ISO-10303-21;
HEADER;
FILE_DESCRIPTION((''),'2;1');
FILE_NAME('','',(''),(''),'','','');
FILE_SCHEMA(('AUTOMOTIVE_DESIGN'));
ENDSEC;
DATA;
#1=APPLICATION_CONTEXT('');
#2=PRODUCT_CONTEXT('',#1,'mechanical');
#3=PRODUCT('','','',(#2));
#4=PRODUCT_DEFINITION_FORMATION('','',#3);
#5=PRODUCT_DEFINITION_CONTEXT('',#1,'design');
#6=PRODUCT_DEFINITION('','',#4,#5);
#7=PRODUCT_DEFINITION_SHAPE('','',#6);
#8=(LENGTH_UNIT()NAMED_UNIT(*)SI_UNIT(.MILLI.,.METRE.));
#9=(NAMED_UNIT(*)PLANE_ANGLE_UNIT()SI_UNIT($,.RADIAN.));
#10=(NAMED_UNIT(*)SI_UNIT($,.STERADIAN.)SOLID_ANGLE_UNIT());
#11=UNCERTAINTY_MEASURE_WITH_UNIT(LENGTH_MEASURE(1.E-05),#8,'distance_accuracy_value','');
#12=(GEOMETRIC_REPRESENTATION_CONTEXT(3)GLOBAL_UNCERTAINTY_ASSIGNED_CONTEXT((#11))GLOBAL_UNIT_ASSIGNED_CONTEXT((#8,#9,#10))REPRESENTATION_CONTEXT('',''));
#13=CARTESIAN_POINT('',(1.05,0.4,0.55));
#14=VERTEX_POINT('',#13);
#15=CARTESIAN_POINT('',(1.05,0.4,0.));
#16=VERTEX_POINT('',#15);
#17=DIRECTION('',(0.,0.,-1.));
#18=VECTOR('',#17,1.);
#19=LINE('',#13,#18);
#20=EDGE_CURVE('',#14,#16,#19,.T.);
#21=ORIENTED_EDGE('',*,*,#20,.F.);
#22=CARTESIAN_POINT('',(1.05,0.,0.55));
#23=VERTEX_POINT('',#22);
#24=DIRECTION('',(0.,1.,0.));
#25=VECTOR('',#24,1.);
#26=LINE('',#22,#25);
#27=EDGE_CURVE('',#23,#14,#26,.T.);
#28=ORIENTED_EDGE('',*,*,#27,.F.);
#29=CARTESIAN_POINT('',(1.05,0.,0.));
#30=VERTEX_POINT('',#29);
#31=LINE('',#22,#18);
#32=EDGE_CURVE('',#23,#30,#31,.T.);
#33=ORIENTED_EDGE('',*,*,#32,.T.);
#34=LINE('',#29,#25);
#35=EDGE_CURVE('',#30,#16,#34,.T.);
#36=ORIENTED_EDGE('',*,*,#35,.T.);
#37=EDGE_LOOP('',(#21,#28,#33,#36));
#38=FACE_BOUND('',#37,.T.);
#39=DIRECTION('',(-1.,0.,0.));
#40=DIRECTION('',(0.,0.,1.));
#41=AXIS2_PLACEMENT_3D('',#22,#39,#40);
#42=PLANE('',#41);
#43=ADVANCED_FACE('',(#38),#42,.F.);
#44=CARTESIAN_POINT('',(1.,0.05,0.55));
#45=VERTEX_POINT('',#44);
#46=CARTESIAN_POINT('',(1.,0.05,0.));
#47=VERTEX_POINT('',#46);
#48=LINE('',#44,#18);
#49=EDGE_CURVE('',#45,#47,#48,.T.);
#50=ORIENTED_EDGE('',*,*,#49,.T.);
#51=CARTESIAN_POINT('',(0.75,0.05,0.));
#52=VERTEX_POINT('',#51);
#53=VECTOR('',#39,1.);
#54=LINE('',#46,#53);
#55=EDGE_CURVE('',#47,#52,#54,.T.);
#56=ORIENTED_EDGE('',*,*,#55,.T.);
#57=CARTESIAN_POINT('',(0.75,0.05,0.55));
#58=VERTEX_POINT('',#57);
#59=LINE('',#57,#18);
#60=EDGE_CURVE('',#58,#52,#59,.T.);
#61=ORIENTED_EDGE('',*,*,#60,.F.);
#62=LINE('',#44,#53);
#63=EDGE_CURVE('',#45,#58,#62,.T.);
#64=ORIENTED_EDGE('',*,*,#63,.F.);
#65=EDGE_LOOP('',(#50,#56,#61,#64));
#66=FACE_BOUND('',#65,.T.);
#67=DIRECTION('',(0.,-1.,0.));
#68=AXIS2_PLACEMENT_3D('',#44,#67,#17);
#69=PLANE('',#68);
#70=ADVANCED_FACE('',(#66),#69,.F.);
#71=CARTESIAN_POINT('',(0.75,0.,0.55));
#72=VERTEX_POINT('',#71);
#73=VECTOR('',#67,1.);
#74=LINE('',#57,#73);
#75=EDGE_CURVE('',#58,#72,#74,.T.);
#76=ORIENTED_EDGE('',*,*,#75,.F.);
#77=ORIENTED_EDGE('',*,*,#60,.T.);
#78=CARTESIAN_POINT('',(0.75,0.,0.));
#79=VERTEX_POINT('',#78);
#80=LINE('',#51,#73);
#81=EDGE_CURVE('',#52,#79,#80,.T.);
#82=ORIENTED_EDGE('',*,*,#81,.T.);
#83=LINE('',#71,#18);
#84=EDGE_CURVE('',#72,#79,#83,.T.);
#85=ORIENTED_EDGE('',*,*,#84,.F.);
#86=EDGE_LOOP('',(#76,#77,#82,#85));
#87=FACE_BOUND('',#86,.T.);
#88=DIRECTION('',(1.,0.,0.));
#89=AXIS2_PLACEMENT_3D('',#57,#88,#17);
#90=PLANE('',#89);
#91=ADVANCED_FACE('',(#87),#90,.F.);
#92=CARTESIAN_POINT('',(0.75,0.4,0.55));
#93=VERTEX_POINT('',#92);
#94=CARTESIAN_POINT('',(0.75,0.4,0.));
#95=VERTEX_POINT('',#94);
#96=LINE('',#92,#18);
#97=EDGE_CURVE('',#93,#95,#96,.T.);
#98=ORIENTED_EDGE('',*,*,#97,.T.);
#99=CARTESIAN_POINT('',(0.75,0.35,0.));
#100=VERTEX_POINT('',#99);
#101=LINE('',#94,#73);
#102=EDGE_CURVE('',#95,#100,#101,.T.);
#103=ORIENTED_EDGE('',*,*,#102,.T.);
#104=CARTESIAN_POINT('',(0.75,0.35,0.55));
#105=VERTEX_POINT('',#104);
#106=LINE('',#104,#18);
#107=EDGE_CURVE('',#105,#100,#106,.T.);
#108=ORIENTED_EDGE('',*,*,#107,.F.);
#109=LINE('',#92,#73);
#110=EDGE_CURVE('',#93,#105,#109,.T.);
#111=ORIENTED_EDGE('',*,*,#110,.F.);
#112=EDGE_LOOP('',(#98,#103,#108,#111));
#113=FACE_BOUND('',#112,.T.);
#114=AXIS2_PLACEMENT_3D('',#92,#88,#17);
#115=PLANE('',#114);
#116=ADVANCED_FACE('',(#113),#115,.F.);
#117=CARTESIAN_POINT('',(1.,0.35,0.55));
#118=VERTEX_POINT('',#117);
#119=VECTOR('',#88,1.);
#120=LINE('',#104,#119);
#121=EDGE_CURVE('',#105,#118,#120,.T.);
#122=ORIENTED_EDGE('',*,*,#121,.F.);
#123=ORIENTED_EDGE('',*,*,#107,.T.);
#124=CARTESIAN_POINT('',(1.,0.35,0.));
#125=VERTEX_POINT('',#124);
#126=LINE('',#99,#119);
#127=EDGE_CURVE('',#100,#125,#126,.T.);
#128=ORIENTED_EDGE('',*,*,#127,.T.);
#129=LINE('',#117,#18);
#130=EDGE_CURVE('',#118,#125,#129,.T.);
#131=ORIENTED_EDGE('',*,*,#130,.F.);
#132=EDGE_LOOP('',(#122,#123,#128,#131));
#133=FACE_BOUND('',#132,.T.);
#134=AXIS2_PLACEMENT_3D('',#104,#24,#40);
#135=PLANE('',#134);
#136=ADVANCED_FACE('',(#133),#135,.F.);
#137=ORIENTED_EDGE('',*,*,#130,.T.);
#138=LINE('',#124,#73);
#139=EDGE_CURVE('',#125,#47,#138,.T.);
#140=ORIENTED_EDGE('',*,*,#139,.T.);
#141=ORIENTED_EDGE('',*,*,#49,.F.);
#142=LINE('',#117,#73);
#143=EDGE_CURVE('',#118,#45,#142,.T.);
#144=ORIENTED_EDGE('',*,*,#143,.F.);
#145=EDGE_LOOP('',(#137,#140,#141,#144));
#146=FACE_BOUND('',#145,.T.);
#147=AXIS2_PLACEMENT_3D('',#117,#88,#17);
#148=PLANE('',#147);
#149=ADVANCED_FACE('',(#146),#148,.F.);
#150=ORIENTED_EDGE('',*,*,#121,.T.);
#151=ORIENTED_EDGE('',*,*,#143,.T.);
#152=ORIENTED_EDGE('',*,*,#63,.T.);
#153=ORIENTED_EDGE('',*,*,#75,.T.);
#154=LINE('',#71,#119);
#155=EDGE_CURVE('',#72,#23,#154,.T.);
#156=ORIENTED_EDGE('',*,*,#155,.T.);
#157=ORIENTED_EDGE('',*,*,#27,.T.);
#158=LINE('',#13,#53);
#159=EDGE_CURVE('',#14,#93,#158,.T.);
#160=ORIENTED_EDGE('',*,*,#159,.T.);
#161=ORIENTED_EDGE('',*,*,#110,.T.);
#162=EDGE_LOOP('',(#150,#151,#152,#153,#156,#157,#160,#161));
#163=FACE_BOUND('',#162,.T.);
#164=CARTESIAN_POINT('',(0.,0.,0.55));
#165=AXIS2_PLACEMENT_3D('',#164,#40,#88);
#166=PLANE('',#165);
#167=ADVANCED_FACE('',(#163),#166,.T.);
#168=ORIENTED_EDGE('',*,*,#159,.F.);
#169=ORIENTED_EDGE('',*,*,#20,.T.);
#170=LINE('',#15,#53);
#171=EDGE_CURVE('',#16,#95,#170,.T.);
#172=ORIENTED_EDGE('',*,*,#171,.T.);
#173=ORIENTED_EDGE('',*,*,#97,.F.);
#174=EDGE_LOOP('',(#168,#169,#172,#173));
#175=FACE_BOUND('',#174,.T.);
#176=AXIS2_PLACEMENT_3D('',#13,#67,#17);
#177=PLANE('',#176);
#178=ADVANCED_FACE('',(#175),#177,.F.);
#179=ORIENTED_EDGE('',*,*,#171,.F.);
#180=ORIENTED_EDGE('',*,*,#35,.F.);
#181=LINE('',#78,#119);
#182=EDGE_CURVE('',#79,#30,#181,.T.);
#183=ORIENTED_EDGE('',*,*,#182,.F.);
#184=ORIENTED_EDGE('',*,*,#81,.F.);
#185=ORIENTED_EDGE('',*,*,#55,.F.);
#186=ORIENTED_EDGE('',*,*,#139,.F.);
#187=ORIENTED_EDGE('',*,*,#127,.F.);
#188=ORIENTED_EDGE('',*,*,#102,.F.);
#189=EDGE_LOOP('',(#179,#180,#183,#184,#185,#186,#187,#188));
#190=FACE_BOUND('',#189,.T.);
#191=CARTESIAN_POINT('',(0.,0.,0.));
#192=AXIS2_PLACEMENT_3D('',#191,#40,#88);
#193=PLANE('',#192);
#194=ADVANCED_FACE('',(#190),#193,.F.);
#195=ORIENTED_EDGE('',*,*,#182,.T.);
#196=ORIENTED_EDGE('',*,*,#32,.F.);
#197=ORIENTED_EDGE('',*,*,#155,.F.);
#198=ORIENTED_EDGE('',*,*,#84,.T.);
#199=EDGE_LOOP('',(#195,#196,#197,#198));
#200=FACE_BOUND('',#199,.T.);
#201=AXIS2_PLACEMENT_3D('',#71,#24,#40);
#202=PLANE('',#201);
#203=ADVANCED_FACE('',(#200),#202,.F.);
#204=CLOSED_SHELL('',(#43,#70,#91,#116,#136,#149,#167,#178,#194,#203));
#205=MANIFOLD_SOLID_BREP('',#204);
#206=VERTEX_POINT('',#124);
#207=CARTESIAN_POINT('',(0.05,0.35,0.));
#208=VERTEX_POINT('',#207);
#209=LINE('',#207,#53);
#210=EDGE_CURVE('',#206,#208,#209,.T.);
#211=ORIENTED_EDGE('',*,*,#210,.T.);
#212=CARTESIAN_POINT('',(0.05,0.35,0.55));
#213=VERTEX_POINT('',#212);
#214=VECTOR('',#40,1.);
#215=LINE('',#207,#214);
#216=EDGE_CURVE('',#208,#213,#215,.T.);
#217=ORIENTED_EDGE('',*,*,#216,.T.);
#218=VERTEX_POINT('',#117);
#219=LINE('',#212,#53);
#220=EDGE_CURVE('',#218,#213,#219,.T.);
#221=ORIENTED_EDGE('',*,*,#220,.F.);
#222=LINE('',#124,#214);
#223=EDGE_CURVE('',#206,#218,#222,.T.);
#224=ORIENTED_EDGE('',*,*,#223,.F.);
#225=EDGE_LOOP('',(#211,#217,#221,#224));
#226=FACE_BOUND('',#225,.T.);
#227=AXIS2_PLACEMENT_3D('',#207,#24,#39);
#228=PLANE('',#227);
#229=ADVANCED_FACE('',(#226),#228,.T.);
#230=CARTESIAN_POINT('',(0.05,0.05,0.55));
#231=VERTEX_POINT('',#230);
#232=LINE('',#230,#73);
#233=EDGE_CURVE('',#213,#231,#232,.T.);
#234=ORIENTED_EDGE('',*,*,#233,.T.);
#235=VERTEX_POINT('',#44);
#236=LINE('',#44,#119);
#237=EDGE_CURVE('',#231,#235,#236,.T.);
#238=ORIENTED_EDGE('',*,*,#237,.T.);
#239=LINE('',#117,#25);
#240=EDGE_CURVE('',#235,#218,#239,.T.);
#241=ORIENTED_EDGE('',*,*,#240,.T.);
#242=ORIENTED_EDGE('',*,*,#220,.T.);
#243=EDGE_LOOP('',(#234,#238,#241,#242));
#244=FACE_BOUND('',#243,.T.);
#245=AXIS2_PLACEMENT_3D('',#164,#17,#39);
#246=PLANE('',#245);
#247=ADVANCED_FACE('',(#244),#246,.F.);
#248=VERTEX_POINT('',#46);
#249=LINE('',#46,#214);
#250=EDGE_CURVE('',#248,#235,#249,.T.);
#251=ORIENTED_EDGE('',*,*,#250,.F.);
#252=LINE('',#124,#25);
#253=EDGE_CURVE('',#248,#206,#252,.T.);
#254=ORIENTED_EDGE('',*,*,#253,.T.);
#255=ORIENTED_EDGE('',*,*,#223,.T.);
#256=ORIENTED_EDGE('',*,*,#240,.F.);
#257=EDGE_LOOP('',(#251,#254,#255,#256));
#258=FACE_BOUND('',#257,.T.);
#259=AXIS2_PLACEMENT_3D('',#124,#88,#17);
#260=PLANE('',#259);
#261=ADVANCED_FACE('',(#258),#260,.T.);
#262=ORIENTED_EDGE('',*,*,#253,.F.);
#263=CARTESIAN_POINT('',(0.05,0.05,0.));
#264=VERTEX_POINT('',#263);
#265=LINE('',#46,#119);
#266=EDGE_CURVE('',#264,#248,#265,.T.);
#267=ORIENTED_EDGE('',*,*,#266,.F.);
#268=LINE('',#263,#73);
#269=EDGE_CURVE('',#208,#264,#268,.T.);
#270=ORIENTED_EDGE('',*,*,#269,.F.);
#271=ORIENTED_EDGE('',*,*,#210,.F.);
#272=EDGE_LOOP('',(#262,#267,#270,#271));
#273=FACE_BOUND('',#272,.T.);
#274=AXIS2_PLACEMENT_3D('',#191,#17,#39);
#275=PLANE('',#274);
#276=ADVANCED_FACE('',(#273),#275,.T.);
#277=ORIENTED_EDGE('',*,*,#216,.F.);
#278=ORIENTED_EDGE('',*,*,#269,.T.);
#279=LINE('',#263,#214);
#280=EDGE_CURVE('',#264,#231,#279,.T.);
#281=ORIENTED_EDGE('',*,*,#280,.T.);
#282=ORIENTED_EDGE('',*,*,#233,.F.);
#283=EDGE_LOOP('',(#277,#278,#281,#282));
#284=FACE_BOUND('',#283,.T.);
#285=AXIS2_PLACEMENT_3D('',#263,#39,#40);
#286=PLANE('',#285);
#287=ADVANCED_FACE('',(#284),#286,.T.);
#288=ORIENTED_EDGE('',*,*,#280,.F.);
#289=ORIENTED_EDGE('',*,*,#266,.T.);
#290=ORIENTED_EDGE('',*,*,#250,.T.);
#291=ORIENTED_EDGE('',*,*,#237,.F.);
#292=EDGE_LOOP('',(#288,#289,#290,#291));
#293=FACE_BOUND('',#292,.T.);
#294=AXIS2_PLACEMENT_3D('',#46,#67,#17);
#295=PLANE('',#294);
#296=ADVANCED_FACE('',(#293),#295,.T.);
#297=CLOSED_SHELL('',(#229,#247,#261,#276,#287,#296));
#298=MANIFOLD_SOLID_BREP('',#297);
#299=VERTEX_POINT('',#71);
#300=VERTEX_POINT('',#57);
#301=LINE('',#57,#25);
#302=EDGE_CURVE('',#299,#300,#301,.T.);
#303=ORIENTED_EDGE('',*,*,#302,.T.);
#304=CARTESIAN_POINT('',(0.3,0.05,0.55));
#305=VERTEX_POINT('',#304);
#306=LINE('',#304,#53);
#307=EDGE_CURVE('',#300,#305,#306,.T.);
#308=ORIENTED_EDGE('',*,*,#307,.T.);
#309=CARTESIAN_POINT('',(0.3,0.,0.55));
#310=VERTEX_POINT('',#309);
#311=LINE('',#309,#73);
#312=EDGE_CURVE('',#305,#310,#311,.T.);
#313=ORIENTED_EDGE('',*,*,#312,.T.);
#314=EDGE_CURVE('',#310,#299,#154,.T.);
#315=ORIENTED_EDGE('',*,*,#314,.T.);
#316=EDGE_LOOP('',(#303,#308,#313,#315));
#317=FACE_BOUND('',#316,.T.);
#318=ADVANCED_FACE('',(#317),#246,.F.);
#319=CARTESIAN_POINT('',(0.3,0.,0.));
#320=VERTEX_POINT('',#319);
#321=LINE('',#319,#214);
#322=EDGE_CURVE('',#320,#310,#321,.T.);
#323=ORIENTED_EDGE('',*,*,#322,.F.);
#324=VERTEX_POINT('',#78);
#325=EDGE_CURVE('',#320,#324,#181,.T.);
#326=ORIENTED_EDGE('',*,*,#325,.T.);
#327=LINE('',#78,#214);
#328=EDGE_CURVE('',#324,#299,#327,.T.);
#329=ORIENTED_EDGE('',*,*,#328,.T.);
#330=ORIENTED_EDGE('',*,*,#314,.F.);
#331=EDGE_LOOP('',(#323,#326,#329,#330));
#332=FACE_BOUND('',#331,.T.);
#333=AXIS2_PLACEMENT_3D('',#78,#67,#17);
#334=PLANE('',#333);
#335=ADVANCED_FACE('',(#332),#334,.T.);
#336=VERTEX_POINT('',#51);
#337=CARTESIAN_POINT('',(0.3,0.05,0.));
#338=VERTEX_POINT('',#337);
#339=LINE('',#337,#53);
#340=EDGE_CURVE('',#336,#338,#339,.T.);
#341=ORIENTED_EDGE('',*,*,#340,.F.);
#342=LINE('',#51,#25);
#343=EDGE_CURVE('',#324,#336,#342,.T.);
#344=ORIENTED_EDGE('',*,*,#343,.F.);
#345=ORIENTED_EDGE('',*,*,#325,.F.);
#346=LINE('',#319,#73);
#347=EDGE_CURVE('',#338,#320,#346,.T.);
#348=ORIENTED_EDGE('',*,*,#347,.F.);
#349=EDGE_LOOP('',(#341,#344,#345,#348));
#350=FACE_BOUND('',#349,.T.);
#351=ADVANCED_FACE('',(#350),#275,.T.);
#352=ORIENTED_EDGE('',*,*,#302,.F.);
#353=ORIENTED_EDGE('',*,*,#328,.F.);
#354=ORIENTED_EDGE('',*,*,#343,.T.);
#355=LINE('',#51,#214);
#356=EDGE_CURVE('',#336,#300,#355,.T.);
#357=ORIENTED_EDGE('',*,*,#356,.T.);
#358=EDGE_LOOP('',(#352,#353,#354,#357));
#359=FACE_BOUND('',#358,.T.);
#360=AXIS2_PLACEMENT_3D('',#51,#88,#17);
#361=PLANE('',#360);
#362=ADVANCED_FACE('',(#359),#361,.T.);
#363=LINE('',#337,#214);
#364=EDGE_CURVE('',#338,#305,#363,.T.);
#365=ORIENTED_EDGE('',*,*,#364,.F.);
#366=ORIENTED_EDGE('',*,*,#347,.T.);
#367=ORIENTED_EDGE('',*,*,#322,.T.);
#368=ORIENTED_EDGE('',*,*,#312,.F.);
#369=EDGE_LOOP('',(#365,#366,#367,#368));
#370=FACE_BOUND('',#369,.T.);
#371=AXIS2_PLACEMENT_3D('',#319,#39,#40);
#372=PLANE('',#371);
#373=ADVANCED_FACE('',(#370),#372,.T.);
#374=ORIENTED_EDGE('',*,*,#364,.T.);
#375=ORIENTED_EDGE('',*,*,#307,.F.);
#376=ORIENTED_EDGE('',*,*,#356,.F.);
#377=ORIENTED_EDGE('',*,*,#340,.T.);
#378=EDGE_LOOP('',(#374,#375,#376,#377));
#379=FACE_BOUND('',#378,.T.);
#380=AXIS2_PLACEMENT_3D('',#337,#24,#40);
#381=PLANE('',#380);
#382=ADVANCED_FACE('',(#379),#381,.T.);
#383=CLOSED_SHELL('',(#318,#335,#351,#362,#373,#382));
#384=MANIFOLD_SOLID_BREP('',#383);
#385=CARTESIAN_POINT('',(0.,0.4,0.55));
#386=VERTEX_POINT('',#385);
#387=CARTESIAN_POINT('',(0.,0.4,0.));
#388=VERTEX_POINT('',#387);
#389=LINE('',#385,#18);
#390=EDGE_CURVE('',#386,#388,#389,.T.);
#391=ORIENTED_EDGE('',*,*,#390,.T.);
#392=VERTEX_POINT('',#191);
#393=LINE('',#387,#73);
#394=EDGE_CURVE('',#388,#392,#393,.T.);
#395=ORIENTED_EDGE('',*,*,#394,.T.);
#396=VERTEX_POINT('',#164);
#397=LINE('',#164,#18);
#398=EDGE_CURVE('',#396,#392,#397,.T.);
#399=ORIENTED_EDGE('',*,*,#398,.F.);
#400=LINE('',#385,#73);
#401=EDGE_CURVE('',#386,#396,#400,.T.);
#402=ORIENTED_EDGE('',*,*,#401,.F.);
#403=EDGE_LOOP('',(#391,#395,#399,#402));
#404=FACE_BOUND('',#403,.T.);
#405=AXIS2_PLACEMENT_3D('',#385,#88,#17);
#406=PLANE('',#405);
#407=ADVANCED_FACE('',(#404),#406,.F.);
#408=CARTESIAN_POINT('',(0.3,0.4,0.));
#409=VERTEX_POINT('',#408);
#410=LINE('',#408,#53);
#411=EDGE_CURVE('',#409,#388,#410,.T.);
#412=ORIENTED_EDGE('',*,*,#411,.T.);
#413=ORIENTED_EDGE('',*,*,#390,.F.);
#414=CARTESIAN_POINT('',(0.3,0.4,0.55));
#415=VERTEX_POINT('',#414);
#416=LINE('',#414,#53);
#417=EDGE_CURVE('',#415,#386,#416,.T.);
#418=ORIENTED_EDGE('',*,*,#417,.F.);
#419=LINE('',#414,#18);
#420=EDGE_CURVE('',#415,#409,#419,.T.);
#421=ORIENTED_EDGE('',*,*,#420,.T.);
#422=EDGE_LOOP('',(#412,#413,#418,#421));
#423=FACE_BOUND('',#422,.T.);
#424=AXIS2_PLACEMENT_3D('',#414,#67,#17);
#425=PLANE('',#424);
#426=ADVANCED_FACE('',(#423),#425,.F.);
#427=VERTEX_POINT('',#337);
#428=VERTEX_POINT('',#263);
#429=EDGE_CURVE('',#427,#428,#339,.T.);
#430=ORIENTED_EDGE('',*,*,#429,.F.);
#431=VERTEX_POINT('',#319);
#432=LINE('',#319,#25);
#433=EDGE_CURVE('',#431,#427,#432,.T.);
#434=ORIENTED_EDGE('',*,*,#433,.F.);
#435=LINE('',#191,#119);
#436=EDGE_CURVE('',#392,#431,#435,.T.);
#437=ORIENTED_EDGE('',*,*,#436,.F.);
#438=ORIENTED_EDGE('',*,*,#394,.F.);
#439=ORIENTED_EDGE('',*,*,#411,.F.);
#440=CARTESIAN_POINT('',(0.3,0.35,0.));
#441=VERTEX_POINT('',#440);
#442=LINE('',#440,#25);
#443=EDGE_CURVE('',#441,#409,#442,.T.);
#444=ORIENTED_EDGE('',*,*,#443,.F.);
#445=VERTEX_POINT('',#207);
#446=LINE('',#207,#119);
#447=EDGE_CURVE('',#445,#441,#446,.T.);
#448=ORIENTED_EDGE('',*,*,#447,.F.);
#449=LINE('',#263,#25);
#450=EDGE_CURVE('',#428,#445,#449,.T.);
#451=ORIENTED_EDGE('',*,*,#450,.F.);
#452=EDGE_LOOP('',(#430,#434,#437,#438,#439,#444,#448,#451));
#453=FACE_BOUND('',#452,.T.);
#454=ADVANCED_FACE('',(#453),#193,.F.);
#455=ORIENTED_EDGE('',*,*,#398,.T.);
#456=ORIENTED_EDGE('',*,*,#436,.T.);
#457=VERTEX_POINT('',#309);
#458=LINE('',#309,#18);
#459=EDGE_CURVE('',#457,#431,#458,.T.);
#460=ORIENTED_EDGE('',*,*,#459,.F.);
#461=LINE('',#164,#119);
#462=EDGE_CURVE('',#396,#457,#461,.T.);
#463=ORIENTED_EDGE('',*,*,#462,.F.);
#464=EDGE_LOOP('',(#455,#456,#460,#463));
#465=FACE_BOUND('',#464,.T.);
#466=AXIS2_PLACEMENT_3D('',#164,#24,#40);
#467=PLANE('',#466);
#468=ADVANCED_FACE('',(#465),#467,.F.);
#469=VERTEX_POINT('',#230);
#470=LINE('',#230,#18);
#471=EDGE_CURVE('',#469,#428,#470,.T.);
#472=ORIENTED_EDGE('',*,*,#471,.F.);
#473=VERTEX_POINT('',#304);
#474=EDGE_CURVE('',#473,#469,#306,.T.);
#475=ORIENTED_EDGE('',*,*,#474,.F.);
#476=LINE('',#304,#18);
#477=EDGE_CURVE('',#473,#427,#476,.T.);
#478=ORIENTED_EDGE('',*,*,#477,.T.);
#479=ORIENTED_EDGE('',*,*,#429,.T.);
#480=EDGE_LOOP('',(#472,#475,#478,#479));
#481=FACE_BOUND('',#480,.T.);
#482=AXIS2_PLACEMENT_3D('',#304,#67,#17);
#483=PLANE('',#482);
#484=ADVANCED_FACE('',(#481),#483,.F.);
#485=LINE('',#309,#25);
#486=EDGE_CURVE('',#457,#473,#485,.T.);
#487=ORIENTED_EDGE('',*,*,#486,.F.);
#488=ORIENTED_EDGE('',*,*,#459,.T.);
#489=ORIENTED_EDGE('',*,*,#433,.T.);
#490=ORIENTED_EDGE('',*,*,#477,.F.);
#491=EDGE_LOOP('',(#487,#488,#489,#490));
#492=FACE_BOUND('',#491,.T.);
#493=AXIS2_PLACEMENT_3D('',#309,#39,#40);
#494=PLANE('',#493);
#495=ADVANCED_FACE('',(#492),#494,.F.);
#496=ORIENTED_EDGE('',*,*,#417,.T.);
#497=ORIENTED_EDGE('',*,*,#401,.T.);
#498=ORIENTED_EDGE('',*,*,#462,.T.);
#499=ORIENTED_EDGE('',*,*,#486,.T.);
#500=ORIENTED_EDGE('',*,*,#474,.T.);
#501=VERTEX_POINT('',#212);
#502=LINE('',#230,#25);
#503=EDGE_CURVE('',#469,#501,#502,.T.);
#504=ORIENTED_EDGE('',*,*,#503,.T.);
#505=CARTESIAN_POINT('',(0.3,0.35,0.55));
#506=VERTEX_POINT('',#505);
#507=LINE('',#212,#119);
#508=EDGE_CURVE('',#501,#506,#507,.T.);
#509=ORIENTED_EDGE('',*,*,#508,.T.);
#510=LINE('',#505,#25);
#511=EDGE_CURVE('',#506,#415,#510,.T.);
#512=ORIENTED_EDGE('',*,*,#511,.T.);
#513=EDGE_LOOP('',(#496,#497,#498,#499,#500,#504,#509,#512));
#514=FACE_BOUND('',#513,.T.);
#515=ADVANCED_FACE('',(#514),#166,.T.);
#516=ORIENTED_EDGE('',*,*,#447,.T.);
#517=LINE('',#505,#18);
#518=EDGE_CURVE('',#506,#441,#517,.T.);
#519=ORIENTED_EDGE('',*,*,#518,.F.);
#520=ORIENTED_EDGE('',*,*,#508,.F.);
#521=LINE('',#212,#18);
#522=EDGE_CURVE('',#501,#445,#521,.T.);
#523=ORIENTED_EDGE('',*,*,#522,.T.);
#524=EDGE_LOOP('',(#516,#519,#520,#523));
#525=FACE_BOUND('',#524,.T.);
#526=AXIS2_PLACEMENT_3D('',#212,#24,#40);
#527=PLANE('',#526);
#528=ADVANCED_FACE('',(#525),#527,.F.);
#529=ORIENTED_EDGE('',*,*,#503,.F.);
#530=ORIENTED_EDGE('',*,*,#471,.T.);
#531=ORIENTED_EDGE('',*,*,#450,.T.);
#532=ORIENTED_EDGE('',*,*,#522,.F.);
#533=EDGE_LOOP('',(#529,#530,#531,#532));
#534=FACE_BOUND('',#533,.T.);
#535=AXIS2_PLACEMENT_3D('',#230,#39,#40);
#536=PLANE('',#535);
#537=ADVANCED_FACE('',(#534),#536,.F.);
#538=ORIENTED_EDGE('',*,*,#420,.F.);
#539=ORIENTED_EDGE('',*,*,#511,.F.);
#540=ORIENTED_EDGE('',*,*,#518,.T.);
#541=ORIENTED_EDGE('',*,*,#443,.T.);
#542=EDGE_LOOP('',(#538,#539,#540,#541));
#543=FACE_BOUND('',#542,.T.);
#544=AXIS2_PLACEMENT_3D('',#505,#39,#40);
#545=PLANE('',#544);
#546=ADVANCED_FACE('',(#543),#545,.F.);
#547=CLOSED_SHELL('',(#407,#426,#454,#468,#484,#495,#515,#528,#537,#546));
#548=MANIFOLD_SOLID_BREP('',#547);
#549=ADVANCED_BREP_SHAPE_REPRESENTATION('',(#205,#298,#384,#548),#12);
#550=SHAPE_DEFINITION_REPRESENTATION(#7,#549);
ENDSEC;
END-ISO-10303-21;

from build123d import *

# Parameters (mm, degrees)
DODANIE_WYCI_GNI_CIE1_DEPTH   = 0.55
DODANIE_WYCI_GNI_CIE1_2_DEPTH = 0.55
SZKIC2_W                      = 0.45
SZKIC2_H                      = 0.05
DODANIE_WYCI_GNI_CIE2_DEPTH   = 0.55
SZKIC3_W                      = 0.95
SZKIC3_H                      = 0.3
DODANIE_WYCI_GNI_CIE3_DEPTH   = 0.55


with BuildPart() as part:
    # Szkic1 → Dodanie-wyciągnięcie1 (new body)
    with BuildSketch(Plane.XY):
        Polygon((0.3, 0.05), (0.05, 0.05), (0.05, 0.35), (0.3, 0.35), (0.3, 0.4), (0, 0.4), (0, 0), (0.3, 0), align=None)
    extrude(amount=DODANIE_WYCI_GNI_CIE1_DEPTH)


with BuildPart() as body_2:
    # Szkic1 → Dodanie-wyci_gni_cie1 2 (new body)
    with BuildSketch(Plane.XY):
        Polygon((0.75, 0.35), (1, 0.35), (1, 0.05), (0.75, 0.05), (0.75, 0), (1.05, 0), (1.05, 0.4), (0.75, 0.4), align=None)
    extrude(amount=DODANIE_WYCI_GNI_CIE1_2_DEPTH)


with BuildPart() as body_3:
    # Szkic2 → Dodanie-wyciągnięcie2 (new body)
    with BuildSketch(Plane.XY.offset(0.55)):
        with Locations((0.525, 0.025)):
            Rectangle(SZKIC2_W, SZKIC2_H)
    extrude(amount=-DODANIE_WYCI_GNI_CIE2_DEPTH)


with BuildPart() as body_4:
    # Szkic3 → Dodanie-wyciągnięcie3 (new body)
    with BuildSketch(Plane.XY.offset(0.55)):
        with Locations((0.525, 0.2)):
            Rectangle(SZKIC3_W, SZKIC3_H)
    extrude(amount=-DODANIE_WYCI_GNI_CIE3_DEPTH)


solid = Compound([part.part, body_2.part, body_3.part, body_4.part])
